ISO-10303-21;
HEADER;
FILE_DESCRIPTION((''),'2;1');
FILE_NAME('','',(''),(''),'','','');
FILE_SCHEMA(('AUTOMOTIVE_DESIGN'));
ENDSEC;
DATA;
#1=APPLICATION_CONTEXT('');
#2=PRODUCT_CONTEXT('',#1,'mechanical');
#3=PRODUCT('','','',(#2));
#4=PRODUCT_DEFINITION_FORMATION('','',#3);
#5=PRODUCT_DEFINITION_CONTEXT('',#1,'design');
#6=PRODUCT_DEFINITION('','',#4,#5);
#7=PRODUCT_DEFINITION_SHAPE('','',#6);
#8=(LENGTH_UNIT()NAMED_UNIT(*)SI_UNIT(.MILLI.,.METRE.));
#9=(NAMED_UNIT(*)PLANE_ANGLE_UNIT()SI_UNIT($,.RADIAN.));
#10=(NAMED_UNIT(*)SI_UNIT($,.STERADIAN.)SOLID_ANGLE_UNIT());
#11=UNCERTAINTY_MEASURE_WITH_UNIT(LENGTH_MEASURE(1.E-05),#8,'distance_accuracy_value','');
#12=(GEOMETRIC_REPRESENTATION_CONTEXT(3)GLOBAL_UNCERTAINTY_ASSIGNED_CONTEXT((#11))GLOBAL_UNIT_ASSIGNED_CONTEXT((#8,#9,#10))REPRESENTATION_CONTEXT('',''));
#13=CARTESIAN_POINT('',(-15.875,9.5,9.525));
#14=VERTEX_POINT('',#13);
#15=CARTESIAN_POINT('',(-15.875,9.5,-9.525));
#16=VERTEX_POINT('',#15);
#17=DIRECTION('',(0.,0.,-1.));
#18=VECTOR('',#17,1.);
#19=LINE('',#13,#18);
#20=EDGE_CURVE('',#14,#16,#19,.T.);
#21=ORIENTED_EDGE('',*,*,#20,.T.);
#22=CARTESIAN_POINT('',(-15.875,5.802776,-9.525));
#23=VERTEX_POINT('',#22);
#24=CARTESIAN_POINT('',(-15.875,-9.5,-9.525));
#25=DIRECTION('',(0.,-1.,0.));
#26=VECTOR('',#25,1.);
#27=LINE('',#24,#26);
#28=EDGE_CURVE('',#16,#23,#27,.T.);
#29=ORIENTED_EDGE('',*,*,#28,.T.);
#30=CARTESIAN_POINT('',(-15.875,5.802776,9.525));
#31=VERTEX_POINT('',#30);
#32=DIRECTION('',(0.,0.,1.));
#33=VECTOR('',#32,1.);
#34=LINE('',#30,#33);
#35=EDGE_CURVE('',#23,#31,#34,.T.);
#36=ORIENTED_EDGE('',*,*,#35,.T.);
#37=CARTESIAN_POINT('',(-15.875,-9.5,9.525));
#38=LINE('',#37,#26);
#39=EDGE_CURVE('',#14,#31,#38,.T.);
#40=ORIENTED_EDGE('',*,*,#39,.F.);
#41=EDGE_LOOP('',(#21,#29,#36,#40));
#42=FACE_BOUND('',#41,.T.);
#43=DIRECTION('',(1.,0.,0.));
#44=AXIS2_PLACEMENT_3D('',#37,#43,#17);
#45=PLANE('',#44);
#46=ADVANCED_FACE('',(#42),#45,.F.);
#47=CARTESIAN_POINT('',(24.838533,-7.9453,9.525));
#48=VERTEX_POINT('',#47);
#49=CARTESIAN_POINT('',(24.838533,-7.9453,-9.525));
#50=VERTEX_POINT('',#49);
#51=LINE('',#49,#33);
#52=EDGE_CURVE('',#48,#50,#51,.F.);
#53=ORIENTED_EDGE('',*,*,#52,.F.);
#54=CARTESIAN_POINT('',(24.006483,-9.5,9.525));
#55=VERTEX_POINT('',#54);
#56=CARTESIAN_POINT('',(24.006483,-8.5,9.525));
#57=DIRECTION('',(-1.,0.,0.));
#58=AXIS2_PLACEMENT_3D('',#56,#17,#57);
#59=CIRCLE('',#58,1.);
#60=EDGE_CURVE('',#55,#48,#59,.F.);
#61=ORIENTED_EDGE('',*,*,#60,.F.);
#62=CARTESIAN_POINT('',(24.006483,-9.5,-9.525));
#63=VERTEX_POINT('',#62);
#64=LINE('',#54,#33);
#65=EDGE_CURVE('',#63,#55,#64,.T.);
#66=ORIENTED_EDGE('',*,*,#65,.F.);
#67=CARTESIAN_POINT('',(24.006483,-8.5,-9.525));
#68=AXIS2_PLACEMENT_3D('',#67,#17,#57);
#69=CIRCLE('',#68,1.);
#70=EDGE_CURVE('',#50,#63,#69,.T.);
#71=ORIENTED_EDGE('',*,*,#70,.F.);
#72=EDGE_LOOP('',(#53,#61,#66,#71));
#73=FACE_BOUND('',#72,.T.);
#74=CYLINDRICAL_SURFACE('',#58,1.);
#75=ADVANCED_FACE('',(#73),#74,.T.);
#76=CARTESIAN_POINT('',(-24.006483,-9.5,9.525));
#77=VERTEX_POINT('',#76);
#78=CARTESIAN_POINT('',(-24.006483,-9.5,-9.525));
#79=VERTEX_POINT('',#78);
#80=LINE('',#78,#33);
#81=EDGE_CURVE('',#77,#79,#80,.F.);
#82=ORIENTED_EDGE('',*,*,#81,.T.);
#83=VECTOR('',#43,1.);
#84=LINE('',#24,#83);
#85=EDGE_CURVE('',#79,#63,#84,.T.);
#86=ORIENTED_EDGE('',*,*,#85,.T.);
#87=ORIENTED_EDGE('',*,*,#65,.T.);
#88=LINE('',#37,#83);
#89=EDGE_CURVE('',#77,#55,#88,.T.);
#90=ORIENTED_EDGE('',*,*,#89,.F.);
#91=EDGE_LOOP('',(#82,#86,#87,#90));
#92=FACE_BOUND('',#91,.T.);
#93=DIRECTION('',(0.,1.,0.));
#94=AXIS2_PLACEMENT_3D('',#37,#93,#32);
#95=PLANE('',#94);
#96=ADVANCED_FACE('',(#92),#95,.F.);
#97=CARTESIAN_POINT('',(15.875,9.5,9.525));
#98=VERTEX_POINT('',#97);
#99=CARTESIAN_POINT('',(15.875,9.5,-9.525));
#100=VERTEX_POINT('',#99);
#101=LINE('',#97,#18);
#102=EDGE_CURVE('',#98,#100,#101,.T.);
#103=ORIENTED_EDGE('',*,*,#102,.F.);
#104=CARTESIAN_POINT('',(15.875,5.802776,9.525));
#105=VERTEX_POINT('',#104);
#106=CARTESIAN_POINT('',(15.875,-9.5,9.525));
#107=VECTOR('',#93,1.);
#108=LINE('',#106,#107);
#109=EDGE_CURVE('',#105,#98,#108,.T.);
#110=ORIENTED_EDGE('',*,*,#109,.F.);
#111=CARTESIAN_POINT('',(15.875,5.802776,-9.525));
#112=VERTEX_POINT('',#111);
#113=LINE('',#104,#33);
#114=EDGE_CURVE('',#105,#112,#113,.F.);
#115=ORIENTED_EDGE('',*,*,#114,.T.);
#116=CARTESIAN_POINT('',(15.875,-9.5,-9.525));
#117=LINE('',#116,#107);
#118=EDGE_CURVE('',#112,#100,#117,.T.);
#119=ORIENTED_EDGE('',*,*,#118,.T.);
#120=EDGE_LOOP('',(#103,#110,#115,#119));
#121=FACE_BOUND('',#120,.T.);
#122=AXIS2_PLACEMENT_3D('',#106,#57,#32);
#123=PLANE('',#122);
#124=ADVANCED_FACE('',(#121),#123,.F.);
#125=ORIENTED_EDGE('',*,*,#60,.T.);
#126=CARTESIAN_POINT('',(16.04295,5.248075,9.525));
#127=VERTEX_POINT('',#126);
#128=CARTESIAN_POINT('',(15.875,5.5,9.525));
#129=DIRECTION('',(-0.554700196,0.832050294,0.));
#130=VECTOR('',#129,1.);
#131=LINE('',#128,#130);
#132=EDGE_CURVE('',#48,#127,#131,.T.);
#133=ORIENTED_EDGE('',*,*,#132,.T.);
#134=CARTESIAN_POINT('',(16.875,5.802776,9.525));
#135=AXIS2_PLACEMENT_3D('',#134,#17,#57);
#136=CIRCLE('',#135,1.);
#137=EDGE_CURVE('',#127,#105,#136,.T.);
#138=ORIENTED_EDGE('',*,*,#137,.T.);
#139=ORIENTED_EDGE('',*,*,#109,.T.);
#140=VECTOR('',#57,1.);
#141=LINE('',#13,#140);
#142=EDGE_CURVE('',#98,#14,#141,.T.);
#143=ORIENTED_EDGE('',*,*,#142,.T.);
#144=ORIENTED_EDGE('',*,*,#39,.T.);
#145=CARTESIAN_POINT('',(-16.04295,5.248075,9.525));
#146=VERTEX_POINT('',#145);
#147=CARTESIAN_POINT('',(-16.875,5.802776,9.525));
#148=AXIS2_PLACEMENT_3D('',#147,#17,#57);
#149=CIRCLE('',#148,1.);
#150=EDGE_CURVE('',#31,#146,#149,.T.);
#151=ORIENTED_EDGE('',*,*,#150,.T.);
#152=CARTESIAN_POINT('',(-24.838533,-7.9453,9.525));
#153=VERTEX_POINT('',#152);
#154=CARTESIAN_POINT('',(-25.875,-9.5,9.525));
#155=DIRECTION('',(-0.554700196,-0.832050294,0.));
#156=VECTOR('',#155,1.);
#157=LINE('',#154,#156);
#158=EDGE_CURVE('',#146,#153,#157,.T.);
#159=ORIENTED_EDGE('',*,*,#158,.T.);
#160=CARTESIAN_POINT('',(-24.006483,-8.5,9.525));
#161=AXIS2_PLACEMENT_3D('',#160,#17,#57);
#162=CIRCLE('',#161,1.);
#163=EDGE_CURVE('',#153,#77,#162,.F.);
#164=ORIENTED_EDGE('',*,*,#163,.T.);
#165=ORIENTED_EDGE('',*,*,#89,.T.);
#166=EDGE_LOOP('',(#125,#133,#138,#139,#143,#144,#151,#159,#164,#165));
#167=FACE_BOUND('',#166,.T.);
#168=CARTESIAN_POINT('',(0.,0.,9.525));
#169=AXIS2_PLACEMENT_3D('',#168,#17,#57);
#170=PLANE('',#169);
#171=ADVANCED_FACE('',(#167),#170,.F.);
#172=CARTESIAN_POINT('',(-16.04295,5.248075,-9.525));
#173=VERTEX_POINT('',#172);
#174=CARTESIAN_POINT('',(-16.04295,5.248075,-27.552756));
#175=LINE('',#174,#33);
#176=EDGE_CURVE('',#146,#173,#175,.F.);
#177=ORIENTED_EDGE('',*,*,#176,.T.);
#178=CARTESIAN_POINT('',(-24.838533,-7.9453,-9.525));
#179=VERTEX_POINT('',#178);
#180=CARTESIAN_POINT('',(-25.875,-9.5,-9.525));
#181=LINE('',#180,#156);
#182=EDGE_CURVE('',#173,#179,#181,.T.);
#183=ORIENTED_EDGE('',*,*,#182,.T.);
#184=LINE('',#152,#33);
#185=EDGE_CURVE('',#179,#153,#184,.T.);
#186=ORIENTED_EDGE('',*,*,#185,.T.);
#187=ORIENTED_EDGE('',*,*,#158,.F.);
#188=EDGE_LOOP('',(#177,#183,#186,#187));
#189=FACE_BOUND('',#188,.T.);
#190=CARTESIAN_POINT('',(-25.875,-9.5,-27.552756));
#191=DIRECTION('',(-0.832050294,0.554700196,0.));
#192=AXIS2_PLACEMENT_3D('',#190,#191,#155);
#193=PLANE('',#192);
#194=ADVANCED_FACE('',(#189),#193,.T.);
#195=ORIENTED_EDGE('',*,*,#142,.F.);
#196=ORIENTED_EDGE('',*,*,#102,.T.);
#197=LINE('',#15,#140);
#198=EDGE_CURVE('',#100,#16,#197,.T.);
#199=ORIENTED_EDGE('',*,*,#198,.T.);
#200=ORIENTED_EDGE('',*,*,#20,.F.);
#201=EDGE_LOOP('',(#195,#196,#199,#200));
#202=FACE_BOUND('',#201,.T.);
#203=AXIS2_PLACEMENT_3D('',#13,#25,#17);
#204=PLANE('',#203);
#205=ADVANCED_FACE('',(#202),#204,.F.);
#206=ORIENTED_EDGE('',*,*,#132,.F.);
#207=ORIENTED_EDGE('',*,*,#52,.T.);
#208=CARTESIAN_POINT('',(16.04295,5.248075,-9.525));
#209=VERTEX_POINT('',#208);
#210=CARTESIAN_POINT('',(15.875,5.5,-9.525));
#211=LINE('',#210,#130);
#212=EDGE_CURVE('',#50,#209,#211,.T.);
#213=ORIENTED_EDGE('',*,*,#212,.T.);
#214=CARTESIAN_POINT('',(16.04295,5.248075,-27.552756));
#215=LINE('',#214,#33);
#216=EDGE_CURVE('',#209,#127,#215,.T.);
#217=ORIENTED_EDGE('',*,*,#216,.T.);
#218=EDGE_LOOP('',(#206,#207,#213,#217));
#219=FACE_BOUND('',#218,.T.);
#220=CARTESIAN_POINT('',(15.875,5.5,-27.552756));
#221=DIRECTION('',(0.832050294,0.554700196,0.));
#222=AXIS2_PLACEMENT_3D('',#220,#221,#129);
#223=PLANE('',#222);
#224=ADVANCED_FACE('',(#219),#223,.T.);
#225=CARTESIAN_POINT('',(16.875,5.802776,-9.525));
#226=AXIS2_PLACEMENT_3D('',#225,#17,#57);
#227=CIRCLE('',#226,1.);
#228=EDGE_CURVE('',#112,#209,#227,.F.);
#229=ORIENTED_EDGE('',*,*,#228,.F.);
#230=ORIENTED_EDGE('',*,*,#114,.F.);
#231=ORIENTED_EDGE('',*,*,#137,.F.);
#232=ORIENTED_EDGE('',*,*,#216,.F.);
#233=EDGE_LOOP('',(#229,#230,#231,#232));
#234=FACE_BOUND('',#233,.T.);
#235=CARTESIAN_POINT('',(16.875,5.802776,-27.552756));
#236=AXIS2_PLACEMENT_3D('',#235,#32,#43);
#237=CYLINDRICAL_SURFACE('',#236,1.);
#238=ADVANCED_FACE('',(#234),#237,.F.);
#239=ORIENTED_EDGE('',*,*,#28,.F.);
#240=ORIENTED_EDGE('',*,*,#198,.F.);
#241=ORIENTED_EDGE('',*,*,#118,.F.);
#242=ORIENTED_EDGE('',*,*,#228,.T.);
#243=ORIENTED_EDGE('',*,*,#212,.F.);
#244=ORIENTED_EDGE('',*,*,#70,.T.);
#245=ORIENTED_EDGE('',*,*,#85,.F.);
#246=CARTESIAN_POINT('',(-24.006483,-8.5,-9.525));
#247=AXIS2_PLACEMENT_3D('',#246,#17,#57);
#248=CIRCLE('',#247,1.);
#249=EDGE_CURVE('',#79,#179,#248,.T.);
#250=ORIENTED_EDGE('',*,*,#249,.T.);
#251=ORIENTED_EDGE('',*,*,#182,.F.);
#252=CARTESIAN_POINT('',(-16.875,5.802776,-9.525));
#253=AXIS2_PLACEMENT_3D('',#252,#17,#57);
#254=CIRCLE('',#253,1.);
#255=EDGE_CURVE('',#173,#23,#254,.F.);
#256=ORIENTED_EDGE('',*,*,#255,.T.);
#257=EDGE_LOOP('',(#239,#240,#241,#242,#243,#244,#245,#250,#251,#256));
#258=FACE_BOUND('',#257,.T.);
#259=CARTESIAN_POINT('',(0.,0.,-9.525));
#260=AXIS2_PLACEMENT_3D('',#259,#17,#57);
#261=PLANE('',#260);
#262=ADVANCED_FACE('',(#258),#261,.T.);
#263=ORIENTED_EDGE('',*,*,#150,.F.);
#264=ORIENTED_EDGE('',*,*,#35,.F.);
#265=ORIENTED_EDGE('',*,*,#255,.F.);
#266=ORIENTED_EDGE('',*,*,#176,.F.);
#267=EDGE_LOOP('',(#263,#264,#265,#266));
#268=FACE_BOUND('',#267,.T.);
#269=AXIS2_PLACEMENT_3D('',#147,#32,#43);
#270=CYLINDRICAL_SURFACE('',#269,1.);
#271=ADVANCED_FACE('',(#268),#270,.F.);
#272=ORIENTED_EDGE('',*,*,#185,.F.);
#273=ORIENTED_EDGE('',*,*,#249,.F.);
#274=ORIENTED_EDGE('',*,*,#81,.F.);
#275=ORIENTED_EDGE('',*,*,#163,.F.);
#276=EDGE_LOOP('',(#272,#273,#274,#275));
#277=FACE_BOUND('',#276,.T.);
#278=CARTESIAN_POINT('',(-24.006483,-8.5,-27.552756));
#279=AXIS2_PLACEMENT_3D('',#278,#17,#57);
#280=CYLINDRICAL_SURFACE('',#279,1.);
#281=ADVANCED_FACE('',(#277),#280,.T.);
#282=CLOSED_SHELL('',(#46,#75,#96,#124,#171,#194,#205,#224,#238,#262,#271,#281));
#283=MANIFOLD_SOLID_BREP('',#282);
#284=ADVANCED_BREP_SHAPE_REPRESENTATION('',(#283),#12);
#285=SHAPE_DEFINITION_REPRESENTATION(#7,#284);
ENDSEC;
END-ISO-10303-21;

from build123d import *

# Parameters (mm, degrees)
SKETCH1_W           = 31.75
SKETCH1_H           = 19
BOSS_EXTRUDE1_DEPTH = 9.525
BOSS_EXTRUDE2_DEPTH = 19.05
FILLET5_R           = 1


with BuildPart() as part:
    # Sketch1 → Boss-Extrude1 (new body, symmetric)
    with BuildSketch(Plane.XY):
        Rectangle(SKETCH1_W, SKETCH1_H)
    extrude(amount=BOSS_EXTRUDE1_DEPTH, both=True)

    # Sketch3 → Boss-Extrude2 (add)
    with BuildSketch(Plane.XY.offset(9.525)):
        Polygon((-15.875, -9.5), (-25.875, -9.5), (-15.875, 5.5), align=None)
        Polygon((15.875, -9.5), (15.875, 5.5), (25.875, -9.5), align=None)
    extrude(amount=-BOSS_EXTRUDE2_DEPTH)

    # Fillet5
    fillet5_edges = [part.edges().sort_by_distance(p)[0] for p in [
        (-25.875, -9.5, 0),
        (-15.875, 5.5, 0),
        (15.875, 5.5, 0),
        (25.875, -9.5, 0),
    ]]
    fillet(fillet5_edges, radius=FILLET5_R)


solid = part.part
